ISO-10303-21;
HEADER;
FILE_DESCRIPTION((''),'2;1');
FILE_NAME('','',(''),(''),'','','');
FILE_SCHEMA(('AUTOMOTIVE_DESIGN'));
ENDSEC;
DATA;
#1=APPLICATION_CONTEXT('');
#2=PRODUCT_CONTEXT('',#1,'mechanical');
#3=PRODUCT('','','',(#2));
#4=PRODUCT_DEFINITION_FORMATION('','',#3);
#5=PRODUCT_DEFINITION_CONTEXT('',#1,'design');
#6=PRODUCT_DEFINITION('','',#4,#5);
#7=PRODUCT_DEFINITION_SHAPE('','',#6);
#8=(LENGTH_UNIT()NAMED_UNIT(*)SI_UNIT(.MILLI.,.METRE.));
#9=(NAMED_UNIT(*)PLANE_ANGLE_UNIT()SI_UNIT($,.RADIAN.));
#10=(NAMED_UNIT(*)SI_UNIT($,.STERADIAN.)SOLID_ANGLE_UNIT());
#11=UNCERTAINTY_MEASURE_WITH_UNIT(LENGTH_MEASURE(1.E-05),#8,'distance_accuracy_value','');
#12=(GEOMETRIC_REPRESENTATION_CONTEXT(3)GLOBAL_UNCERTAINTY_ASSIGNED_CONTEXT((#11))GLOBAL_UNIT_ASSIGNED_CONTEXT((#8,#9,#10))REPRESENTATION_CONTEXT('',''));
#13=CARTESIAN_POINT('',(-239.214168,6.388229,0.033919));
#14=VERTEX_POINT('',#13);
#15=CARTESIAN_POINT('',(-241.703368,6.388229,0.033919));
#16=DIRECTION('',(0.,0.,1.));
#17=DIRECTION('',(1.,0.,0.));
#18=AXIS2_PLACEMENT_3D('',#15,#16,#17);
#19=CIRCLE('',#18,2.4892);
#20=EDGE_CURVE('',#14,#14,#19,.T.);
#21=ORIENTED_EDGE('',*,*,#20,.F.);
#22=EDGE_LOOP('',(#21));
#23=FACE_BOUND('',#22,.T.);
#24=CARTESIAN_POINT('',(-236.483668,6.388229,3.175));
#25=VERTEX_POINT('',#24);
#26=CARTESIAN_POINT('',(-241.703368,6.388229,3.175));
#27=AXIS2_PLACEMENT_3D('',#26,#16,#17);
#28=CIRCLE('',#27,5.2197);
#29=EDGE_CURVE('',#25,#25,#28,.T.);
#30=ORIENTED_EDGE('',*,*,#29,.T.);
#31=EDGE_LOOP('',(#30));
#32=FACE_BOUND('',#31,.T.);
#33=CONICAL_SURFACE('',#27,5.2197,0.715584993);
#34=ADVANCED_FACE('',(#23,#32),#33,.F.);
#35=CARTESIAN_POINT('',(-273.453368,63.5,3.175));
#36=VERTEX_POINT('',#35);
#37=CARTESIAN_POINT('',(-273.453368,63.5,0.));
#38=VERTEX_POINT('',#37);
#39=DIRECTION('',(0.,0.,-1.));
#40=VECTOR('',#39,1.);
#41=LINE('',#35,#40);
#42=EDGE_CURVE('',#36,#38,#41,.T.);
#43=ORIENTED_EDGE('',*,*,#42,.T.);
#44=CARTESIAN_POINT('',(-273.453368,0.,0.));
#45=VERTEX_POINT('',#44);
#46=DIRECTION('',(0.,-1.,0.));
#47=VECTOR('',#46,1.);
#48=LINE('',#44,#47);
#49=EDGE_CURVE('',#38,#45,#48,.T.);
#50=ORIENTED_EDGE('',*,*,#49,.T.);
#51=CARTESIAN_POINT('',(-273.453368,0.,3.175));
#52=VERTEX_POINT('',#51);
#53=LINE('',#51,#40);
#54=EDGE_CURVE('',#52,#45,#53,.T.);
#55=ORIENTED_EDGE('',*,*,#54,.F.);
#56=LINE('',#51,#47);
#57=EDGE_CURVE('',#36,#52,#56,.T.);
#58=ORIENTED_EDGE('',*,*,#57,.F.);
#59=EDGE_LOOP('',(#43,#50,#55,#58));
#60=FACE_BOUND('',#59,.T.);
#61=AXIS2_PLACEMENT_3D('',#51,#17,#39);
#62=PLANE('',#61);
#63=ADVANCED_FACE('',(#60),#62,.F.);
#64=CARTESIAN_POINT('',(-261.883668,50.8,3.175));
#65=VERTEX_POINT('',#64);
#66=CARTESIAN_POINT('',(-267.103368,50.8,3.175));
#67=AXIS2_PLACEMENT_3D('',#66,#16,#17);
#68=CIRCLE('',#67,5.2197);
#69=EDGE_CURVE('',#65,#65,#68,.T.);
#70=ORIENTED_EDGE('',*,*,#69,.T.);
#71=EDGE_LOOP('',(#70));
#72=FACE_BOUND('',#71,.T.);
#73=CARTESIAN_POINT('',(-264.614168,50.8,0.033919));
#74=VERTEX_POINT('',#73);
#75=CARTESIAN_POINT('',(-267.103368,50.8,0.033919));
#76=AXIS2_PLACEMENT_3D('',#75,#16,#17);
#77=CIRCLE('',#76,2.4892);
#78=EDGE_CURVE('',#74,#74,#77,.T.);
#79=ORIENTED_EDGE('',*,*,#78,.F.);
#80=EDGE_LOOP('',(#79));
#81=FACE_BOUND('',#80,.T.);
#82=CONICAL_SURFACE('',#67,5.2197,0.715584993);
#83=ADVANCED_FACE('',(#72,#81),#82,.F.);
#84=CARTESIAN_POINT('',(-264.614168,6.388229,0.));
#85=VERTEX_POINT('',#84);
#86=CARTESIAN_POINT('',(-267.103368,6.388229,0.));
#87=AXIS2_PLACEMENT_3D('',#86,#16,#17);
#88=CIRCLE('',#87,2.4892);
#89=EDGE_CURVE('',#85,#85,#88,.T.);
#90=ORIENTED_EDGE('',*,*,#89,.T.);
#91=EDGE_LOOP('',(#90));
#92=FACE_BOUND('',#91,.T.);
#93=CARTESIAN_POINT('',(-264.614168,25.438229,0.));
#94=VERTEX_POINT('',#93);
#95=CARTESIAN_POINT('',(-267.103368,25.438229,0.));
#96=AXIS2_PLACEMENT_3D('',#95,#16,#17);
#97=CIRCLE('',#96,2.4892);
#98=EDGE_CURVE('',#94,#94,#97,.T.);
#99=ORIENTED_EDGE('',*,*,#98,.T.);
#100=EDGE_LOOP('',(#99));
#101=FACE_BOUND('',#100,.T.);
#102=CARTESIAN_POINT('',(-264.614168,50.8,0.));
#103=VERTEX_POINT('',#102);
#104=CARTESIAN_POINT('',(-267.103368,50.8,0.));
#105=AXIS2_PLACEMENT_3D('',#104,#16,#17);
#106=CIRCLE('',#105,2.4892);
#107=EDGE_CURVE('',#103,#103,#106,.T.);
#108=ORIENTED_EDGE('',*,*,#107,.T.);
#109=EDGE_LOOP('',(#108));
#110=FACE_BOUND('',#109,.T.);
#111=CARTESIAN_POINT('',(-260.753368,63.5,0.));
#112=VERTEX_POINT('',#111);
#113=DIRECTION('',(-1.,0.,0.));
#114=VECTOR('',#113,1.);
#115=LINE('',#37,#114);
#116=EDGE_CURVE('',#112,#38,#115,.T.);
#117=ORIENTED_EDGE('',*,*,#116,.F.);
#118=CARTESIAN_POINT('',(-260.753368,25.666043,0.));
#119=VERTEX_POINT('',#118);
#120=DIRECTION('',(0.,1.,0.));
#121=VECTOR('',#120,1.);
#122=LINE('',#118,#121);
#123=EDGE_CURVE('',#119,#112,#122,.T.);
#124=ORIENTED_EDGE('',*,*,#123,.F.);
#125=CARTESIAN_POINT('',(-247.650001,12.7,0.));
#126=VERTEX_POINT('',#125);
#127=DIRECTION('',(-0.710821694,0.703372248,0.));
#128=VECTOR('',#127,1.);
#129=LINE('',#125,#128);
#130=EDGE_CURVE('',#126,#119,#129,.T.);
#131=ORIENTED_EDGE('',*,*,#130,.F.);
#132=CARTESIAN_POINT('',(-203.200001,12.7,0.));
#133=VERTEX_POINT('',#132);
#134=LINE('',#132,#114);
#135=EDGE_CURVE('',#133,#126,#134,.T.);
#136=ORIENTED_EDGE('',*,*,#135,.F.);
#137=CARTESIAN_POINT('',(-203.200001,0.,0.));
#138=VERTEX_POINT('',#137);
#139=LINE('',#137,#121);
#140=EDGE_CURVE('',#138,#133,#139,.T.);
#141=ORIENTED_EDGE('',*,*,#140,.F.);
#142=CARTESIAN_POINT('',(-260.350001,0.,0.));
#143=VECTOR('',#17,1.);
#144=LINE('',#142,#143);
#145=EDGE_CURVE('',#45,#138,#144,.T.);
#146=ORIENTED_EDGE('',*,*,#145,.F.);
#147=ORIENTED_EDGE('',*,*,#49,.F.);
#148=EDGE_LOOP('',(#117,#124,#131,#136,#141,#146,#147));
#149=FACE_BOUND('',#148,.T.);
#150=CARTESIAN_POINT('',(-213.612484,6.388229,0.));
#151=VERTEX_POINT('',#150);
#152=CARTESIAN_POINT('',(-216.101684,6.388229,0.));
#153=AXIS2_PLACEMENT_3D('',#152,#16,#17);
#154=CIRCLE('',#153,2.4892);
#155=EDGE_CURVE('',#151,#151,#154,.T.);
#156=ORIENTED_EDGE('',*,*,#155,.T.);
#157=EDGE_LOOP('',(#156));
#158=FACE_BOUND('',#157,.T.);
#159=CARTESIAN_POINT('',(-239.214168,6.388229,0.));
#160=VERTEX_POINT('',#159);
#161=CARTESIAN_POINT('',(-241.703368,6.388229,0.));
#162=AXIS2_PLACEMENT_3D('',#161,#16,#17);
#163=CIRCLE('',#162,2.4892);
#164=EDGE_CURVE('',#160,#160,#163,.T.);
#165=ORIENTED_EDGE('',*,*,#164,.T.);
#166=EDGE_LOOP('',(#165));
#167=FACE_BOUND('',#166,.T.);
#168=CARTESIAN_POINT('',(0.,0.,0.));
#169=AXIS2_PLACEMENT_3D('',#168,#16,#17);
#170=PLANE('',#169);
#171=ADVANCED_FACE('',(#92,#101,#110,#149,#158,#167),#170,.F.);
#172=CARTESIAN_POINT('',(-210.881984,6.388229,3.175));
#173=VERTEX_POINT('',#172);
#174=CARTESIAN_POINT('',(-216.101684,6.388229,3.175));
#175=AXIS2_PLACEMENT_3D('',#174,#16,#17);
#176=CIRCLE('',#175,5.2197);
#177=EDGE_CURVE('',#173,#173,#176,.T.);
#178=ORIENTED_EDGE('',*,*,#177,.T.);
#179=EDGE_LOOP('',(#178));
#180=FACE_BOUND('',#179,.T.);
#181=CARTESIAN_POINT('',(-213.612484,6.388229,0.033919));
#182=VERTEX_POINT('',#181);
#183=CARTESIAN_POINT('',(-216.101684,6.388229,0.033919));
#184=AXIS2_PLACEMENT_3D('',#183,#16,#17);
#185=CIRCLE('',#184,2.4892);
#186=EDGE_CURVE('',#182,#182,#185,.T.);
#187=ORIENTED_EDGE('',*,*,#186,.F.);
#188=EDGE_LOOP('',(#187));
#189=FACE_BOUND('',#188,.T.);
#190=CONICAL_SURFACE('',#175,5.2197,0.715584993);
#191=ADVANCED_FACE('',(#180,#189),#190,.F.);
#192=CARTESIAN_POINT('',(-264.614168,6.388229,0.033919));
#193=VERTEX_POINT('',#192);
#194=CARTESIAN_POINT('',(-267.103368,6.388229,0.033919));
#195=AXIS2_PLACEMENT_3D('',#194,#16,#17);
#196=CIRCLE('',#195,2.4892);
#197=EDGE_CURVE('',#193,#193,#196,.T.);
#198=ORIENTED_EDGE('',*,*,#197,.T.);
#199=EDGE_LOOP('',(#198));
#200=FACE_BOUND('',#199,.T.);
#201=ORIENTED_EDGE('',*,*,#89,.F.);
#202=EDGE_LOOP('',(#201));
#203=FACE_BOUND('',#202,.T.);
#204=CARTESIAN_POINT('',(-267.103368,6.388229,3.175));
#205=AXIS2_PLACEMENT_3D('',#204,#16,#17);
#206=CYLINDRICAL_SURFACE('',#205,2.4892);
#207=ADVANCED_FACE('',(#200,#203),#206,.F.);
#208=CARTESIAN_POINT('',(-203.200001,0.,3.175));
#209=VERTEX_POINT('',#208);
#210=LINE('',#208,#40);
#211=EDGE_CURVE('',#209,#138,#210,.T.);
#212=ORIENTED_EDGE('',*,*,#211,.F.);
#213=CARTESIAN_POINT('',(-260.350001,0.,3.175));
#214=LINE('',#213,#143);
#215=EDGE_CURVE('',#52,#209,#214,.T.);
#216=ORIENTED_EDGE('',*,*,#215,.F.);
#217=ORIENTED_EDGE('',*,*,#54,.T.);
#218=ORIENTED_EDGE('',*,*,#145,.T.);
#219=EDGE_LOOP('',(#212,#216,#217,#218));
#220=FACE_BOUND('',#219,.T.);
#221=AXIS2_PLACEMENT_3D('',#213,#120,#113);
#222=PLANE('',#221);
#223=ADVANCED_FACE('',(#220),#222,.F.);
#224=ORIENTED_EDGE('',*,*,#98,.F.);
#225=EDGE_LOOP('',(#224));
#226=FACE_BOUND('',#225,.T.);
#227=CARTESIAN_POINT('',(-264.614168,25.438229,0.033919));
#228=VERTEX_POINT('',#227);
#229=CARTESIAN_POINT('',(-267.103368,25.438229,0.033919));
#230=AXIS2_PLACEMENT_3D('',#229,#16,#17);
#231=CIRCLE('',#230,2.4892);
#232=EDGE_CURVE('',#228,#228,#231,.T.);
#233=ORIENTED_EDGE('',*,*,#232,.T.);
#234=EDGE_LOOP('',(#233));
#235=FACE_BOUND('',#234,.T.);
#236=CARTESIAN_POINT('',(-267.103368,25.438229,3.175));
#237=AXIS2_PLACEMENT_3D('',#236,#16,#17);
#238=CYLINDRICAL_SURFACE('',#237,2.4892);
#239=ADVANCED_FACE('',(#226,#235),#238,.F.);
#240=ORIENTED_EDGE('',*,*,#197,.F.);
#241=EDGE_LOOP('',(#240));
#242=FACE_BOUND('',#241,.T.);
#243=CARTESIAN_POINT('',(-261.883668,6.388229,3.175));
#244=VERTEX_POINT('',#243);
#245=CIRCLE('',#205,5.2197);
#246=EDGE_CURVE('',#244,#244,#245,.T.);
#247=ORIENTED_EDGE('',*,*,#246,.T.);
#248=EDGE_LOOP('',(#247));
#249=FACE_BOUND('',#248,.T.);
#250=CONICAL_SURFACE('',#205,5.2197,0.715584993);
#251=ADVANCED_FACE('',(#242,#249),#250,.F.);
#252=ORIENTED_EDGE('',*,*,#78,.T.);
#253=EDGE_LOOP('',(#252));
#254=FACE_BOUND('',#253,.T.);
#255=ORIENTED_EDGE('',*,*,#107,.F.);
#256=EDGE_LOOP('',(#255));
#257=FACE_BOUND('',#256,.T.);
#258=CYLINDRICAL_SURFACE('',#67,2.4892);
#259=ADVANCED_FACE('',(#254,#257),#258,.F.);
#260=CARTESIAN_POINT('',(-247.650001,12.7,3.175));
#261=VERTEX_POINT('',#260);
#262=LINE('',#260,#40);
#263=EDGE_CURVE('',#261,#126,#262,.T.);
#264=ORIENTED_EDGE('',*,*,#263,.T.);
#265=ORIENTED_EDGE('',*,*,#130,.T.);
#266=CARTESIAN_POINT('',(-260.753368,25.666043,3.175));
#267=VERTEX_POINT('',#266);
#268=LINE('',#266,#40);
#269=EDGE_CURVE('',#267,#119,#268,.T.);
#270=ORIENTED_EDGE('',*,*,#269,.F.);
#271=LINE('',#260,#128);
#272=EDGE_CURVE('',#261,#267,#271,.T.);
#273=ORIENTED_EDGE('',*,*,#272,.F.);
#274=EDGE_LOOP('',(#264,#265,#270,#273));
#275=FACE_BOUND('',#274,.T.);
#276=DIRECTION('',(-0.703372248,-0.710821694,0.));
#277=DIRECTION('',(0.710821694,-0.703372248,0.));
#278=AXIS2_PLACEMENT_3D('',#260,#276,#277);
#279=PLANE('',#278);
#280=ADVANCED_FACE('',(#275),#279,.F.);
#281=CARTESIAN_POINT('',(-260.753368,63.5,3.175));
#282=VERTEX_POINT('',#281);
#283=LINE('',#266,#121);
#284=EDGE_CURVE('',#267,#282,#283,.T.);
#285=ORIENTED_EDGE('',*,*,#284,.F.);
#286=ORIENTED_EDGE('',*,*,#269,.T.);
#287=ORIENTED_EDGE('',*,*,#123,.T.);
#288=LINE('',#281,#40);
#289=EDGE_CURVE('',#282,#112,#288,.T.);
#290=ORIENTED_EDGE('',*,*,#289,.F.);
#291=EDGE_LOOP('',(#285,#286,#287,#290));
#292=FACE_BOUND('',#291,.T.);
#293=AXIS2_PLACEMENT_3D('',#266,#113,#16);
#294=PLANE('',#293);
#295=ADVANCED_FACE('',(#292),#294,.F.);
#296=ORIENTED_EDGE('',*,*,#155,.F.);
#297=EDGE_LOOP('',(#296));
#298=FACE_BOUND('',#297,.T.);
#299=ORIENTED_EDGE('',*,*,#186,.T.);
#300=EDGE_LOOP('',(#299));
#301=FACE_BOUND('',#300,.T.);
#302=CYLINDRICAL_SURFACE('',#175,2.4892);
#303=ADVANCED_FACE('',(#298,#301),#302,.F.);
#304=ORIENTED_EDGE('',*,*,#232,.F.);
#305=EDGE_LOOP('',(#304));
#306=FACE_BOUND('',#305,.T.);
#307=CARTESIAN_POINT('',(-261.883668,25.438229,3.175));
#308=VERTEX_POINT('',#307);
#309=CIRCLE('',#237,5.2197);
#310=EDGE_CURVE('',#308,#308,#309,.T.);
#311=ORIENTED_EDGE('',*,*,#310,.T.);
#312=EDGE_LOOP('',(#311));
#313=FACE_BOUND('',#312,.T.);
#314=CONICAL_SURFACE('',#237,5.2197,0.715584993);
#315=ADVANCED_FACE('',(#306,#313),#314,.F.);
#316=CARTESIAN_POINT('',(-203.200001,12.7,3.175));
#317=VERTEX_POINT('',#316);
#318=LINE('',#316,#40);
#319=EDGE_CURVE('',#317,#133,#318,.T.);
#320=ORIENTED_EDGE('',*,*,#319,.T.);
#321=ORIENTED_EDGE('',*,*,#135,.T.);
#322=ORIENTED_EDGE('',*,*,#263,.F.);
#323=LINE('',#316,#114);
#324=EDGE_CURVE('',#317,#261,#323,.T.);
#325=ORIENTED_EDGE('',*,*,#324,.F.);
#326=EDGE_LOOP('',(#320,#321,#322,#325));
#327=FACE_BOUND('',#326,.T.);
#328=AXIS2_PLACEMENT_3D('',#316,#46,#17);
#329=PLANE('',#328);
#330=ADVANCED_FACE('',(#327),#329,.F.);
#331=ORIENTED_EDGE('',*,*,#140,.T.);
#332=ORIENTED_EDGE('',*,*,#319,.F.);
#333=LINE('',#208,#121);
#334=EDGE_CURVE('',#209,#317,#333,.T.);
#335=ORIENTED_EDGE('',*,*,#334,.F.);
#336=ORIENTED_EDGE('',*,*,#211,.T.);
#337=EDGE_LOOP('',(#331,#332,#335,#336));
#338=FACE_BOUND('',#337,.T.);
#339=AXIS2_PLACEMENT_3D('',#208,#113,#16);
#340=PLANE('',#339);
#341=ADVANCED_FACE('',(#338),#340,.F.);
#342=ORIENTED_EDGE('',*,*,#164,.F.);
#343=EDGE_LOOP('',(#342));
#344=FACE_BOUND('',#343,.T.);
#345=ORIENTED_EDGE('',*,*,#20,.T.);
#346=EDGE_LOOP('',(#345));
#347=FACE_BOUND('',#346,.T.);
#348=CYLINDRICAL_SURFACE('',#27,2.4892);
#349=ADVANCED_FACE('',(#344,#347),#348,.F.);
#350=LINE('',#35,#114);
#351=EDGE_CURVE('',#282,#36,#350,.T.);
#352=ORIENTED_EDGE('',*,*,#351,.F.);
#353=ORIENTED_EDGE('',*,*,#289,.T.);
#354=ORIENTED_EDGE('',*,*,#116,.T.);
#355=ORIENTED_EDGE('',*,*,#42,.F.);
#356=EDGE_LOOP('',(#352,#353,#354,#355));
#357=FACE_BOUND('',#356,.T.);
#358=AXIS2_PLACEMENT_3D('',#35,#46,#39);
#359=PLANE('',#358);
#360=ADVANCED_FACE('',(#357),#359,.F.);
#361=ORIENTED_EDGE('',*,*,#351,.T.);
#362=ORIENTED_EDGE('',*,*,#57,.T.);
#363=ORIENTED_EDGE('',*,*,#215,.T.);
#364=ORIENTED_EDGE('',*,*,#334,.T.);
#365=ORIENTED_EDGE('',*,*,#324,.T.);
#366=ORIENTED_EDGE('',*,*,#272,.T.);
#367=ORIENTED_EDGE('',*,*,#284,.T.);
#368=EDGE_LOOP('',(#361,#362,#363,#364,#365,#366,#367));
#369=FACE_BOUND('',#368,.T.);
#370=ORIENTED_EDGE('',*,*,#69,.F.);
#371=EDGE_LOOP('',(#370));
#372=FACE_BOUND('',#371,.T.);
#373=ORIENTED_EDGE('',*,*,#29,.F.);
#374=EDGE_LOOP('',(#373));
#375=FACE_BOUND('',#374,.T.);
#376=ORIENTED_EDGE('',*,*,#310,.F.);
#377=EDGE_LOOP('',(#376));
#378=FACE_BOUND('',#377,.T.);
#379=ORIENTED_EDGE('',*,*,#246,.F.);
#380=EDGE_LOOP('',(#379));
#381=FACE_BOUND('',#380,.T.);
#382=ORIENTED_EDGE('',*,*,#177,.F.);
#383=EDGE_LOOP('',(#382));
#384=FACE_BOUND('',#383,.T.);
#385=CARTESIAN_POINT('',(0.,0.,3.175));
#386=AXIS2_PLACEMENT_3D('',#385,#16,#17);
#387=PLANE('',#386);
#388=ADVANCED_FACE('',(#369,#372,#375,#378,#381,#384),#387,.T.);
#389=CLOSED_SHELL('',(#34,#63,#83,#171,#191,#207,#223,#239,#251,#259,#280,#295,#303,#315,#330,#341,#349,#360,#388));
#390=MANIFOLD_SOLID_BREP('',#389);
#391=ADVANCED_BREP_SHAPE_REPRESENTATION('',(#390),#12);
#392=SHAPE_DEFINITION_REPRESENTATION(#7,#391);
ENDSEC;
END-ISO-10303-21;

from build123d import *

# Parameters (mm, degrees)
BOSS_EXTRUDE1_DEPTH             = 3.175
F_10_CLEARANCE_HOLE1_AT_2_COUNT = 2
F_10_CLEARANCE_HOLE1_AT_2_PITCH = 19.05
F_10_CLEARANCE_HOLE1_AT_3_COUNT = 2
F_10_CLEARANCE_HOLE1_AT_3_PITCH = 44.411770585
F_10_CLEARANCE_HOLE1_AT_4_COUNT = 2
F_10_CLEARANCE_HOLE1_AT_4_PITCH = 25.4
F_10_CLEARANCE_HOLE1_AT_5_COUNT = 2
F_10_CLEARANCE_HOLE1_AT_5_PITCH = 51.001683504


with BuildPart() as part:
    # Sketch1 → Boss-Extrude1 (new body)
    with BuildSketch(Plane.XY):
        Polygon((-260.350000508, 0), (-273.453367516, 0), (-273.453367516, 63.5), (-260.753367516, 63.5), (-260.753367516, 25.666043074), (-247.650000508, 12.7), (-203.200000508, 12.7), (-203.200000508, 0), align=None)
    extrude(amount=BOSS_EXTRUDE1_DEPTH)

    # Sketch4 → #10 Clearance Hole1 (revolve, cut)
    with BuildSketch(Plane(origin=(-267.103367516, 6.388229415, 3.175), x_dir=(0, -1, 0), z_dir=(1, 0, 0))):
        Polygon((0, 0), (0, 3.175), (2.4892, 3.175), (2.4892, 3.141080936), (5.2197, 0), align=None)
    f_10_clearance_hole1 = revolve(axis=Axis((-267.103367516, 6.388229415, 9.525), (0, 0, -1)), mode=Mode.SUBTRACT)

    # #10 Clearance Hole1 at 2: #10 Clearance Hole1 ×2
    with Locations(*[(0, i * F_10_CLEARANCE_HOLE1_AT_2_PITCH, 0) for i in range(1, F_10_CLEARANCE_HOLE1_AT_2_COUNT)]):
        add(f_10_clearance_hole1, mode=Mode.SUBTRACT)

    # #10 Clearance Hole1 at 3: #10 Clearance Hole1 ×2
    with Locations(*[(0, i * F_10_CLEARANCE_HOLE1_AT_3_PITCH, 0) for i in range(1, F_10_CLEARANCE_HOLE1_AT_3_COUNT)]):
        add(f_10_clearance_hole1, mode=Mode.SUBTRACT)

    # #10 Clearance Hole1 at 4: #10 Clearance Hole1 ×2
    with Locations(*[(i * F_10_CLEARANCE_HOLE1_AT_4_PITCH, 0, 0) for i in range(1, F_10_CLEARANCE_HOLE1_AT_4_COUNT)]):
        add(f_10_clearance_hole1, mode=Mode.SUBTRACT)

    # #10 Clearance Hole1 at 5: #10 Clearance Hole1 ×2
    with Locations(*[(i * F_10_CLEARANCE_HOLE1_AT_5_PITCH, 0, 0) for i in range(1, F_10_CLEARANCE_HOLE1_AT_5_COUNT)]):
        add(f_10_clearance_hole1, mode=Mode.SUBTRACT)


solid = part.part
